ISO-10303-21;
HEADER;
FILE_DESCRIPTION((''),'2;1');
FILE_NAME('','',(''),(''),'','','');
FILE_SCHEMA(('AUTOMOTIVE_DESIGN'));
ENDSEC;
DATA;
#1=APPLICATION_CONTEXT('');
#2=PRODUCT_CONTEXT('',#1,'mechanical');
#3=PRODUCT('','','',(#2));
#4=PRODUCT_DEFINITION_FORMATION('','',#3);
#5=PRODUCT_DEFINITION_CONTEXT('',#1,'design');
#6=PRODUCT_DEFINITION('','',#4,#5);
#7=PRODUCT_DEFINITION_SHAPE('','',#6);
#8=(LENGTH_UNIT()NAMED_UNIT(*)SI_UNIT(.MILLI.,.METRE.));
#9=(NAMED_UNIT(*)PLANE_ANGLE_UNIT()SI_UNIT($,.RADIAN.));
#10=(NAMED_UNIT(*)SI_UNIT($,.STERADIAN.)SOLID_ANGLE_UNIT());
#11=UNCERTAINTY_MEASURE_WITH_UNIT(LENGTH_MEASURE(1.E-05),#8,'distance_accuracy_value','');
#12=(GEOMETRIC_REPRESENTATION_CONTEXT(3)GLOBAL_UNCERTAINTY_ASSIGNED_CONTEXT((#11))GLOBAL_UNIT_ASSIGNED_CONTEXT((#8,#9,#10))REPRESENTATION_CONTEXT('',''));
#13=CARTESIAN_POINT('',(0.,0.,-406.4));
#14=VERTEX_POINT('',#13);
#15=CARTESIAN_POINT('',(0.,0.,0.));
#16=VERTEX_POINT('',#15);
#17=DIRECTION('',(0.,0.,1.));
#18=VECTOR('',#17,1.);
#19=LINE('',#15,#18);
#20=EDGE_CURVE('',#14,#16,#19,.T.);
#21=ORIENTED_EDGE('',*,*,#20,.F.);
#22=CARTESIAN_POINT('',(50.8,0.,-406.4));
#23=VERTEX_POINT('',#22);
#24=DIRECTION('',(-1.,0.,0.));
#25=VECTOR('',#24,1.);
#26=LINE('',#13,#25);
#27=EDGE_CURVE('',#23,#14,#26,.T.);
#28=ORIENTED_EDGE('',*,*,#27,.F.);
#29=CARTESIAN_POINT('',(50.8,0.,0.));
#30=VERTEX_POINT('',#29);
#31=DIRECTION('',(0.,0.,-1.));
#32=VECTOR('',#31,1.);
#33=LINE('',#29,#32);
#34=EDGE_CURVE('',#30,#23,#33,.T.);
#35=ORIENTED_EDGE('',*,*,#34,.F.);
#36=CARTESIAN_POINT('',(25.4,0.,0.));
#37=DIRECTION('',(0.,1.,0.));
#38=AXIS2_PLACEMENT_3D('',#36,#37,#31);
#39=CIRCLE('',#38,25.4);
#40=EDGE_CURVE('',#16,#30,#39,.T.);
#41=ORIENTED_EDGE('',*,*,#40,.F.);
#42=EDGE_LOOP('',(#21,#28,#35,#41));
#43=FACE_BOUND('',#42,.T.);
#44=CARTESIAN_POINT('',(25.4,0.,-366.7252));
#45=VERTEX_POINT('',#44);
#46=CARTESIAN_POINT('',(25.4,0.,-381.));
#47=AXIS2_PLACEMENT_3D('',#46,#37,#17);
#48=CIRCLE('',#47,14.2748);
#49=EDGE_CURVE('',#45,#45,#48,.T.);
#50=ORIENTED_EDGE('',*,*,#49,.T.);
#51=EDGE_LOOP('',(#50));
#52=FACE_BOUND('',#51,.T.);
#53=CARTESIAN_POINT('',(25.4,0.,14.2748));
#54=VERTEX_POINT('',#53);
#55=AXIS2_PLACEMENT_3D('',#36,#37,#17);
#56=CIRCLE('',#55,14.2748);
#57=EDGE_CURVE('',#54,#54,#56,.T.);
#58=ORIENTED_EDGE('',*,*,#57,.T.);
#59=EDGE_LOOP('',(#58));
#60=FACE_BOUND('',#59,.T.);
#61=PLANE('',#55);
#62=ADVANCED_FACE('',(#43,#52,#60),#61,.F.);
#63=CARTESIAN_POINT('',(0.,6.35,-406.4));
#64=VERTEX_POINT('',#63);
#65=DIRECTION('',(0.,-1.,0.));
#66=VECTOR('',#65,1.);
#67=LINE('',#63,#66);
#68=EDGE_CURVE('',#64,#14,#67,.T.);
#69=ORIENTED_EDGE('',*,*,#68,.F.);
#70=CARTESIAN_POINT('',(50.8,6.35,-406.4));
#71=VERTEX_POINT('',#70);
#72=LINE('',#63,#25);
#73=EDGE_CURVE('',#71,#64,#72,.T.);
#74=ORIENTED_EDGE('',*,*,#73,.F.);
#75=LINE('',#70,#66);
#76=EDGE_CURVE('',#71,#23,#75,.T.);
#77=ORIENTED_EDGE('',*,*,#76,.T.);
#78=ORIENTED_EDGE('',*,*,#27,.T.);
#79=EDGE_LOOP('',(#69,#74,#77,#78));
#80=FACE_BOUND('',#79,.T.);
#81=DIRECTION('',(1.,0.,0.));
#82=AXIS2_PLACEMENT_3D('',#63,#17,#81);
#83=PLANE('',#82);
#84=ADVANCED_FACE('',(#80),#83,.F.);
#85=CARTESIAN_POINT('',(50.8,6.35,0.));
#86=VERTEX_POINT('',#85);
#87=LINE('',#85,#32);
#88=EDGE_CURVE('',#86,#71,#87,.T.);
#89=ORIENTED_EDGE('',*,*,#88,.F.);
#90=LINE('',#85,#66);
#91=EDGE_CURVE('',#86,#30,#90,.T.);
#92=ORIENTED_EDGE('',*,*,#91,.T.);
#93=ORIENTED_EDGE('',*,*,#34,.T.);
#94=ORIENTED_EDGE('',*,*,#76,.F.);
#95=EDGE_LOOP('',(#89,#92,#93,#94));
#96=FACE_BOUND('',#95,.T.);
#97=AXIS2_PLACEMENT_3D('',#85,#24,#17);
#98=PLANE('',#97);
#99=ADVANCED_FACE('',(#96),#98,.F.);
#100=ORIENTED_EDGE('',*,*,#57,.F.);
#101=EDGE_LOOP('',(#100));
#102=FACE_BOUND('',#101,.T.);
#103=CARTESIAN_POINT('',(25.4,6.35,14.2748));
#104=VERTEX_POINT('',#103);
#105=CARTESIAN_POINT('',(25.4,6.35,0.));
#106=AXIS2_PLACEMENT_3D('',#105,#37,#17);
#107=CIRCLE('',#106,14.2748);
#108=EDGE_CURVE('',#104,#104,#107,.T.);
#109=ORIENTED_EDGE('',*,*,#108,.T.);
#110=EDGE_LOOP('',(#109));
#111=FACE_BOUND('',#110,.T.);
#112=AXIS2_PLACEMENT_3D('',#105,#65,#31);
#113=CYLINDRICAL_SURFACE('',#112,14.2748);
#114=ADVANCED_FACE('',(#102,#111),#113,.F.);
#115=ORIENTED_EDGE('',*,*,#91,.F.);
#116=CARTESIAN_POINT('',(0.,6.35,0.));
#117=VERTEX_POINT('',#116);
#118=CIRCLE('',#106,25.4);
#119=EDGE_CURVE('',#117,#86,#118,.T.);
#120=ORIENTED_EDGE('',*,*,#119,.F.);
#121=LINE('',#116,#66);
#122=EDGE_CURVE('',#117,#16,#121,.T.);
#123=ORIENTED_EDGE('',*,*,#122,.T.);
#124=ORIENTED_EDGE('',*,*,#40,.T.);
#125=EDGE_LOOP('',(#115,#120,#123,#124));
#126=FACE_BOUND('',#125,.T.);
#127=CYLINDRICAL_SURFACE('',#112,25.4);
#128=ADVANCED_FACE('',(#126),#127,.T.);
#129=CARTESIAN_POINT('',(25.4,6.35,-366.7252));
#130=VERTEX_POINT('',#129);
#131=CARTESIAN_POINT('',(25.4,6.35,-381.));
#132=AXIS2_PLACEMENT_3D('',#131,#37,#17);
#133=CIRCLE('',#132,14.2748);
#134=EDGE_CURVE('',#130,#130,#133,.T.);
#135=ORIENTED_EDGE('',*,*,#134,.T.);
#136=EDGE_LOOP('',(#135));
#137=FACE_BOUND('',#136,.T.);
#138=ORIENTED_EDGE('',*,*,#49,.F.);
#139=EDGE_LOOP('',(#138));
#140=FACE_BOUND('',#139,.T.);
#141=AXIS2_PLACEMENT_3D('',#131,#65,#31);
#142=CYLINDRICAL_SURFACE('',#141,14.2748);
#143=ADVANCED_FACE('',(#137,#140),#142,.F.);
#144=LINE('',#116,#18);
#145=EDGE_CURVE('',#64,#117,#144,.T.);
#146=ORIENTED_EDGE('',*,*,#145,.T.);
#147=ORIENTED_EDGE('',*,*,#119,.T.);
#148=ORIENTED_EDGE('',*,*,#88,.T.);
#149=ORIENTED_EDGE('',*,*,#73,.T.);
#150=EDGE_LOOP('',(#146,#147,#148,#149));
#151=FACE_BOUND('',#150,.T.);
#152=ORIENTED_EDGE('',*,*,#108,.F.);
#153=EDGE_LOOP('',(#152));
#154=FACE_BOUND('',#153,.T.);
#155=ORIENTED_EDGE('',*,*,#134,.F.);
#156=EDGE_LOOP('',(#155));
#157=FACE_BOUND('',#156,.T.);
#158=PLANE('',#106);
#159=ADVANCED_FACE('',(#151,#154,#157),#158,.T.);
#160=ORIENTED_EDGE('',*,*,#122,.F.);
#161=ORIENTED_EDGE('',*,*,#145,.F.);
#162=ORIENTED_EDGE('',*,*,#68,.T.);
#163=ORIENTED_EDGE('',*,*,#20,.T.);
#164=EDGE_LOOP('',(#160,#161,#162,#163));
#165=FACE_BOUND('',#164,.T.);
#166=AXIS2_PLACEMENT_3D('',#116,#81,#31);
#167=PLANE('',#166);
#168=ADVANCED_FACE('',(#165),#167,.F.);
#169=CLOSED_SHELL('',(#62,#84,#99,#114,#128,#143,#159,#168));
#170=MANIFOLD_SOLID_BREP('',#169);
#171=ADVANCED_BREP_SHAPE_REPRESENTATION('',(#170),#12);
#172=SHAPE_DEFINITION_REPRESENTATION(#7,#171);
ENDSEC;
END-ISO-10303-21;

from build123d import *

# Parameters (mm, degrees)
SKETCH1_R           = 14.2748
BOSS_EXTRUDE1_DEPTH = 6.35


with BuildPart() as part:
    # Sketch1 → Boss-Extrude1 (new body)
    with BuildSketch(Plane(origin=(0, 0, 0), x_dir=(1, 0, 0), z_dir=(0, 1, 0))):
        with BuildLine():
            Line((0, 0), (0, 406.4))
            Line((0, 406.4), (50.8, 406.4))
            Line((50.8, 406.4), (50.8, 0))
            ThreePointArc((50.8, 0), (43.360512242, -17.960512242), (25.4, -25.4))
            ThreePointArc((25.4, -25.4), (7.439487758, -17.960512242), (0, 0))
        make_face()
        with Locations((25.4, 0)):
            Circle(SKETCH1_R, mode=Mode.SUBTRACT)
        with Locations((25.4, 381)):
            Circle(SKETCH1_R, mode=Mode.SUBTRACT)
    extrude(amount=BOSS_EXTRUDE1_DEPTH)


solid = part.part
